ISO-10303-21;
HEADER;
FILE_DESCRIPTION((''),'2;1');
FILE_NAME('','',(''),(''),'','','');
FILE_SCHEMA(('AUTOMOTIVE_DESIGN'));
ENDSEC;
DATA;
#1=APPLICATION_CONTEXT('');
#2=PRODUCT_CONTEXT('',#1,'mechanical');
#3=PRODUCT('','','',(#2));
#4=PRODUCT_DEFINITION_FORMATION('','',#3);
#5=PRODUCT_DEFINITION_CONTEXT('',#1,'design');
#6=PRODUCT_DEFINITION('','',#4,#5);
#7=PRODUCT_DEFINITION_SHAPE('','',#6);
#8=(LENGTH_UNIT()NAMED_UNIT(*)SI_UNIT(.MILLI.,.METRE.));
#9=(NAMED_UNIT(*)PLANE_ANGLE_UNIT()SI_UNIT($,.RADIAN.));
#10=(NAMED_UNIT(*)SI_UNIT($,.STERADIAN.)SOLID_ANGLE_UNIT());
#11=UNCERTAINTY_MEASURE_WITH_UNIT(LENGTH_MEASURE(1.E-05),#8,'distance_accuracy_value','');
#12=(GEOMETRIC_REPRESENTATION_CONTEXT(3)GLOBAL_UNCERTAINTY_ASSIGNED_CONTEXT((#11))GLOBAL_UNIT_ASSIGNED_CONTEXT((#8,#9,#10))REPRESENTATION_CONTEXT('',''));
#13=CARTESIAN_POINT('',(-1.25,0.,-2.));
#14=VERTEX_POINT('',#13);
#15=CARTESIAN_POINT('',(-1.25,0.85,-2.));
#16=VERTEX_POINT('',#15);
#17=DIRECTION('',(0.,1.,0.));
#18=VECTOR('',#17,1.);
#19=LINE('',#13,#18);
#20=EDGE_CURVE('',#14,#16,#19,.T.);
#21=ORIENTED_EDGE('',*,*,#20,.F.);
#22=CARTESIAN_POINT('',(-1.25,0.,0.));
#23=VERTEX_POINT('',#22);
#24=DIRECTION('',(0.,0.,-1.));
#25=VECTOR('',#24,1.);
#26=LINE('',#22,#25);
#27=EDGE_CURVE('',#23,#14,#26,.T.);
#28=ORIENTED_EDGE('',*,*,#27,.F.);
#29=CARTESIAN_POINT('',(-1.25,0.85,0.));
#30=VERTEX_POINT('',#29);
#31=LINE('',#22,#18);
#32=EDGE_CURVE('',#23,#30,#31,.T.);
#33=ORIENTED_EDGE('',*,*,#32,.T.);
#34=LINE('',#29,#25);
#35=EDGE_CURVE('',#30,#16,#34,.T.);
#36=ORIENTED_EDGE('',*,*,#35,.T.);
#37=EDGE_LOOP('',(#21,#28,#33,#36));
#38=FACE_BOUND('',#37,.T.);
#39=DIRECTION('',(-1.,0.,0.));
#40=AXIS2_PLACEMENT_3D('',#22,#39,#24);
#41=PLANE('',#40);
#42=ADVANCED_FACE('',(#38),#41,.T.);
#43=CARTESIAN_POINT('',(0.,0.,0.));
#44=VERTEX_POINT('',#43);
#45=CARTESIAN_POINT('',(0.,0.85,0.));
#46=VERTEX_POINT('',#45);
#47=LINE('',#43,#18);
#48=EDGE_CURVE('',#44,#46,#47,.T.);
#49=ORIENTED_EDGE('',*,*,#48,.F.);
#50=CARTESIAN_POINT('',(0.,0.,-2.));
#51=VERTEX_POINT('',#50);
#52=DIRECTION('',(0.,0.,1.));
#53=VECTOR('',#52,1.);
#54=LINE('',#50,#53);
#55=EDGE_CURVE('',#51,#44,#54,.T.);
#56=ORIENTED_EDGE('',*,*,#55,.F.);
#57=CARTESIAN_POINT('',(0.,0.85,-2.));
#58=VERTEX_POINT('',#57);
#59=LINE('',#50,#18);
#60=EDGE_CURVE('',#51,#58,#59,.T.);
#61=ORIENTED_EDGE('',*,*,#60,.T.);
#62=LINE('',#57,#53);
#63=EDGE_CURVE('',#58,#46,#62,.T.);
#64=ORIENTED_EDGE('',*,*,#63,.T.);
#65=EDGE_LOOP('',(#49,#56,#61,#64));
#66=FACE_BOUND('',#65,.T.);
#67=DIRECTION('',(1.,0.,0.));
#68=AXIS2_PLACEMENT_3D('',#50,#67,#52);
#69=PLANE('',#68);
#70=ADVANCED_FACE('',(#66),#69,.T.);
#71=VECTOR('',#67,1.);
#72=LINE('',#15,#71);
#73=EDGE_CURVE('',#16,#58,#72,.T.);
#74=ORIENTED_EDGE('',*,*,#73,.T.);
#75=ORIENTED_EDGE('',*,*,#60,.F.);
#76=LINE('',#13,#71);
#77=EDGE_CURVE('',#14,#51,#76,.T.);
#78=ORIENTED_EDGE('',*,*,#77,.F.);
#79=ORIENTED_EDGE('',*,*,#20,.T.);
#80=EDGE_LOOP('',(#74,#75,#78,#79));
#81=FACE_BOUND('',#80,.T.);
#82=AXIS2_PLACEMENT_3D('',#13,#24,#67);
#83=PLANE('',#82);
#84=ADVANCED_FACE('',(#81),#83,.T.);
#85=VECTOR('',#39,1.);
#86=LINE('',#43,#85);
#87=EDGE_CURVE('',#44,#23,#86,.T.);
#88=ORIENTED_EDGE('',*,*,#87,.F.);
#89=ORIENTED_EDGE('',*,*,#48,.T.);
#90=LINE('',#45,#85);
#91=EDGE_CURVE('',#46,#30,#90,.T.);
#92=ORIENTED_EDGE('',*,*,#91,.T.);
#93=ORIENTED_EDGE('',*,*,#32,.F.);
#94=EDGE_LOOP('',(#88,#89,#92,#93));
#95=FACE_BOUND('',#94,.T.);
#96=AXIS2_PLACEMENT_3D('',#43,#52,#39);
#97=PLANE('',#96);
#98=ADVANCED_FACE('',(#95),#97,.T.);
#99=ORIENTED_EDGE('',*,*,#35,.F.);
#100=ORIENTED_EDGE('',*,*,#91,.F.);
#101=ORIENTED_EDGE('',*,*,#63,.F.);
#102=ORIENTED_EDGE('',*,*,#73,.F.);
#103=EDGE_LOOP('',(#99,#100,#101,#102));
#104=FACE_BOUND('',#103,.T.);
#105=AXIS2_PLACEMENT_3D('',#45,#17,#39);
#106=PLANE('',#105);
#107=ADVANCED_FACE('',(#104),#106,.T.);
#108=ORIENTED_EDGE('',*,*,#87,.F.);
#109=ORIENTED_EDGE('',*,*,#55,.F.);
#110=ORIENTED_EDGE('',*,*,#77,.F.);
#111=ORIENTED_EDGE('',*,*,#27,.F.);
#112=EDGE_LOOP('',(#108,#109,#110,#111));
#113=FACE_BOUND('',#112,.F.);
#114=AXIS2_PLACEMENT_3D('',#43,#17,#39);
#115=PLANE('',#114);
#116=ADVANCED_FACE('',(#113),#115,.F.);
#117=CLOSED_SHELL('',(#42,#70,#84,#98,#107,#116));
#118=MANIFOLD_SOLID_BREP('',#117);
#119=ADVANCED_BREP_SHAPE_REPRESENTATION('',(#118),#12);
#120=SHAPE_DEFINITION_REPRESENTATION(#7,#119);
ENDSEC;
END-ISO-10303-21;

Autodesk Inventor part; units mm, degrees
ref_plane "YZ Plane" through (0, 0, 0) normal (1, 0, 0) x (0, 1, 0)
ref_plane "XZ Plane" through (0, 0, 0) normal (0, 1, 0) x (-1, 0, 0)
ref_plane "XY Plane" through (0, 0, 0) normal (0, 0, 1) x (1, 0, 0)
sketch "Sketch1" plane through (0, 0, 0) normal (0, 1, 0) x (-1, 0, 0)
  line L0 (0, 0) -> (1.25, 0)
  line L1 (1.25, 0) -> (1.25, -2)
  line L2 (1.25, -2) -> (0, -2)
  line L3 (0, -2) -> (0, 0)
  dimension "d0" = 2
  dimension "d1" = 1.25
extrude "Extrusion1" add sketch "Sketch1" along normal blind 0.85
properties part number "VSMY1940X01 (wide LED)"
